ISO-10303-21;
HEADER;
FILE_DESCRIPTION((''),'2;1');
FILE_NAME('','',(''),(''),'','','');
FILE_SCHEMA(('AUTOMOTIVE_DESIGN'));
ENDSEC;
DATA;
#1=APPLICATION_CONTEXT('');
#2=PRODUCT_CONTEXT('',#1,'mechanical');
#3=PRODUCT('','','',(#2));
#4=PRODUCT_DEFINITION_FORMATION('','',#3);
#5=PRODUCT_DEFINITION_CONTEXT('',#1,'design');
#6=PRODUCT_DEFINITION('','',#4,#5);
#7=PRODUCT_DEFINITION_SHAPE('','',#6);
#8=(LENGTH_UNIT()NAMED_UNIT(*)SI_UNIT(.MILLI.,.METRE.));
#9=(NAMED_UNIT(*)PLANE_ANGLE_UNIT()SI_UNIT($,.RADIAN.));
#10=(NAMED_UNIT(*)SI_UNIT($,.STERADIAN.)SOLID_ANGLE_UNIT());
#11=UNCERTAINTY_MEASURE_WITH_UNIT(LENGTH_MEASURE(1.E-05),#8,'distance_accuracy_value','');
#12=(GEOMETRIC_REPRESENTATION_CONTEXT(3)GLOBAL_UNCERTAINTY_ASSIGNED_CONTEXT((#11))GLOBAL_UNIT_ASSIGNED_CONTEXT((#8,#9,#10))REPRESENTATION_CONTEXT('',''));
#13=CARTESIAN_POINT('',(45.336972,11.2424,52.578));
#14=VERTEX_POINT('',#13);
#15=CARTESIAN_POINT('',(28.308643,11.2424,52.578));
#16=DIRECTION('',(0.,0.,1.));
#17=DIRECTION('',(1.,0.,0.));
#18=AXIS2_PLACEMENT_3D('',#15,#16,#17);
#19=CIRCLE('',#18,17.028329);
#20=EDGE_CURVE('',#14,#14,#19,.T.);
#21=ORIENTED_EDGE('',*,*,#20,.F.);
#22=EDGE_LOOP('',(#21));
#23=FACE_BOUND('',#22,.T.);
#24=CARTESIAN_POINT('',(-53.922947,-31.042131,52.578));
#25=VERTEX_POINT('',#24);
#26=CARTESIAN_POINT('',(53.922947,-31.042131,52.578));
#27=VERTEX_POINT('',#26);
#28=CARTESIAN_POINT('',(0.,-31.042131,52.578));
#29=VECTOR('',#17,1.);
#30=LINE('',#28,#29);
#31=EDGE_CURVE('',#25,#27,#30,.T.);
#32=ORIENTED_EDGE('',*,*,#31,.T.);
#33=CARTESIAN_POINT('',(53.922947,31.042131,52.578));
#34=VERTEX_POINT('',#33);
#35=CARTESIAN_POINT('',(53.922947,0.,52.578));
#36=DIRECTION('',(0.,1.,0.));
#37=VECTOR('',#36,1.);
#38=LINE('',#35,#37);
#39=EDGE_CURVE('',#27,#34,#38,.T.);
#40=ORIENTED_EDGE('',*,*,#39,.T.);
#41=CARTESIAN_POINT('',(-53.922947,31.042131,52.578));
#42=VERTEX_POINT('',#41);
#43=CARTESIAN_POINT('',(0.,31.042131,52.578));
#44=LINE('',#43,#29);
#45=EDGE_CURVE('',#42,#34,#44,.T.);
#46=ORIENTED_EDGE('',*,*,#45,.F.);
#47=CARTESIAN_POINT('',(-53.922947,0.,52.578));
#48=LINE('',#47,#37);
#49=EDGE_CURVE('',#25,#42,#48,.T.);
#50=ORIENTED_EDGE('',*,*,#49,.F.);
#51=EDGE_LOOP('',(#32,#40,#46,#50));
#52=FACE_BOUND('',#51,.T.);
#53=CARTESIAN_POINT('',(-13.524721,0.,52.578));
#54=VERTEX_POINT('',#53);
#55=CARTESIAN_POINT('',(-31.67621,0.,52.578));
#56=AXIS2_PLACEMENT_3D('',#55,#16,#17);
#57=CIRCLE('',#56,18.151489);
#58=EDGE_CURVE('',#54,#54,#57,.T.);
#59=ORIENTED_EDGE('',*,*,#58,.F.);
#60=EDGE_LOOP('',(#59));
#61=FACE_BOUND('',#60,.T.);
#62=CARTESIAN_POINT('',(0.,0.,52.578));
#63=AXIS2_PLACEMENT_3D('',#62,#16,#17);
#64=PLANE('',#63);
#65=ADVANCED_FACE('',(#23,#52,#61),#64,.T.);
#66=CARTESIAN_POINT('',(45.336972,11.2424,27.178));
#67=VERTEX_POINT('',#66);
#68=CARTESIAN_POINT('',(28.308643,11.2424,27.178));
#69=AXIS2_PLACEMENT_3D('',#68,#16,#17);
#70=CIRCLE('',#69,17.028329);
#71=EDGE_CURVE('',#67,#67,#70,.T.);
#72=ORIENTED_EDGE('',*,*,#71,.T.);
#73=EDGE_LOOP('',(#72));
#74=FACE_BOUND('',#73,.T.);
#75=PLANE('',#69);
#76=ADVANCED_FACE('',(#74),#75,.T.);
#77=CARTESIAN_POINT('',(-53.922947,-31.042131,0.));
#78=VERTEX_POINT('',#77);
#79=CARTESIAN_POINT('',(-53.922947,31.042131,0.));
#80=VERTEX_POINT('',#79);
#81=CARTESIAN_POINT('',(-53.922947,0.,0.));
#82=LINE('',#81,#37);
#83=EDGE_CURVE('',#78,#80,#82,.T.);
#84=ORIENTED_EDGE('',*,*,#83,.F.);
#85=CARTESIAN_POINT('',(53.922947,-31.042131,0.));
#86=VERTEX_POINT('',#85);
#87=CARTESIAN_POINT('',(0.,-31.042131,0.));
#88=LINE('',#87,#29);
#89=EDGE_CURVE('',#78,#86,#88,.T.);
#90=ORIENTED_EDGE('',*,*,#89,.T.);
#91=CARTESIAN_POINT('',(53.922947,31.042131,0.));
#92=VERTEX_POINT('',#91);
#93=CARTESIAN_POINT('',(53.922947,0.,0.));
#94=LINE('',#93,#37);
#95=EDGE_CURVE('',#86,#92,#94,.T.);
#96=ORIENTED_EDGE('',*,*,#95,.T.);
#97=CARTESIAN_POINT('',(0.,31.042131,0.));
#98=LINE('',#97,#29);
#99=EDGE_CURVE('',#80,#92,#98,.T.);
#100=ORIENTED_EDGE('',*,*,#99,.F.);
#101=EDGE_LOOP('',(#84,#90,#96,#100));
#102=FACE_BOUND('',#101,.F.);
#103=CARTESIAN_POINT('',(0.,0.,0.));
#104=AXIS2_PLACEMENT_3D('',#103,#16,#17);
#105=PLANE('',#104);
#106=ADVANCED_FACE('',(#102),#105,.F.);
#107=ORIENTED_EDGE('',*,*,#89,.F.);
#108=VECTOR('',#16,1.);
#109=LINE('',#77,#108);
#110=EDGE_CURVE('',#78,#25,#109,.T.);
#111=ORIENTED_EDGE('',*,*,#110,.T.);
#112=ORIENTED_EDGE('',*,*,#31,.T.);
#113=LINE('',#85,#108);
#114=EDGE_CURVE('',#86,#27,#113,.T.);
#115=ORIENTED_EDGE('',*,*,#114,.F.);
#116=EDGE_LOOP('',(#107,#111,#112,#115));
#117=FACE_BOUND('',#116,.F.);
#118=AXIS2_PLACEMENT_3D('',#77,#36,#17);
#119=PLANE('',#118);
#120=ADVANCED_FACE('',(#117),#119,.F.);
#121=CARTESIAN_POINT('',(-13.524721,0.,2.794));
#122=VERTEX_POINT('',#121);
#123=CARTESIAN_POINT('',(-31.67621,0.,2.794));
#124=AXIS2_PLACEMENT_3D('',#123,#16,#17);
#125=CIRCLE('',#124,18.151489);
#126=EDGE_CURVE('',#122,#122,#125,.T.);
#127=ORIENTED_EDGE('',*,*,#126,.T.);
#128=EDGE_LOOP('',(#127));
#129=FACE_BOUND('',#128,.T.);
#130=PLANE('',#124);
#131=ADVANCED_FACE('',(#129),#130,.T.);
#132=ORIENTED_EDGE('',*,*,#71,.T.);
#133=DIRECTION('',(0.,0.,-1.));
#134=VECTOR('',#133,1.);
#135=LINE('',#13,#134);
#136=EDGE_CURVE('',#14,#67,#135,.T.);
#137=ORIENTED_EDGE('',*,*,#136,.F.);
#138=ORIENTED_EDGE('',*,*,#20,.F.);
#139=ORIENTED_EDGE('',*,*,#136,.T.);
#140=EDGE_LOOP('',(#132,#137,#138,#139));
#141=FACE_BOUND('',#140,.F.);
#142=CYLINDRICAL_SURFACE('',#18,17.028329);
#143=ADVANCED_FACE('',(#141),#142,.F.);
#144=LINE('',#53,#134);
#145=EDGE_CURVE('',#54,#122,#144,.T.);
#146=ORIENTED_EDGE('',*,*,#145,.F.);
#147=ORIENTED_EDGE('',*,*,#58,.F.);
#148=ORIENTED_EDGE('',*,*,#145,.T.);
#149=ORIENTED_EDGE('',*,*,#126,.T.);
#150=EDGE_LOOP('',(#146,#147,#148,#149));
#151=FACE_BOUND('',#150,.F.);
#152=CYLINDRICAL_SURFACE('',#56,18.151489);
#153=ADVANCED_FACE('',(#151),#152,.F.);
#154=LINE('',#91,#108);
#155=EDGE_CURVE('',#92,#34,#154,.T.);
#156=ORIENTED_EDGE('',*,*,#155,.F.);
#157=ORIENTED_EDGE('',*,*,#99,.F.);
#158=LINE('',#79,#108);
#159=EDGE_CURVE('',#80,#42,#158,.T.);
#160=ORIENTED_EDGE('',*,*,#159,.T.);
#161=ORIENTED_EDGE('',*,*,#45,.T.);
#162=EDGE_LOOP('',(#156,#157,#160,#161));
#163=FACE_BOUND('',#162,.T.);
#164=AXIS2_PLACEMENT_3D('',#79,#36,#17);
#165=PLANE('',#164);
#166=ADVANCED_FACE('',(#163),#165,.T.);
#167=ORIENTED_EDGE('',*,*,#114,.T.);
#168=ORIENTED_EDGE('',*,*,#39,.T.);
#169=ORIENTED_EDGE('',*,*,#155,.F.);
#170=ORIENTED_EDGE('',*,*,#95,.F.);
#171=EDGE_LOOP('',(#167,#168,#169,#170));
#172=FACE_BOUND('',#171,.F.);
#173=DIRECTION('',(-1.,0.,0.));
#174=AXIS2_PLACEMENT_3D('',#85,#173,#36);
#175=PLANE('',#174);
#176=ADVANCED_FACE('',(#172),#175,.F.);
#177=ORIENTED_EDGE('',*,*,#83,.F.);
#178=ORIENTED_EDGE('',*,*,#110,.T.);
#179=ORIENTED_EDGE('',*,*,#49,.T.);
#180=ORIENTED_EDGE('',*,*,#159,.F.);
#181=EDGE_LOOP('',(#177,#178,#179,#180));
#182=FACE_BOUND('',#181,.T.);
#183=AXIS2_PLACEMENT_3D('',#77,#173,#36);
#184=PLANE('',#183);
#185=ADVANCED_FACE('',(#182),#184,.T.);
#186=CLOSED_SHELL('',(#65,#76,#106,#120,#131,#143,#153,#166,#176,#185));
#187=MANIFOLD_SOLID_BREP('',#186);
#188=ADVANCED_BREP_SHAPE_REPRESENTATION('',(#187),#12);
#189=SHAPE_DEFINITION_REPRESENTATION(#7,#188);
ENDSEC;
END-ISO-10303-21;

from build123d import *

# Parameters (mm, degrees)
F0_W     = 107.845894
F0_H     = 62.084262
F1_DEPTH = 52.578
F2_R     = 18.151489
F3_DEPTH = 49.784
F4_R     = 17.028329
F5_DEPTH = 25.4


with BuildPart() as f1:
    # F0 (on Top) → F1 (new body)
    with BuildSketch(Plane.XY):
        Rectangle(F0_W, F0_H)
    extrude(amount=F1_DEPTH)

    # F2 (on face) → F3 (cut)
    with BuildSketch(Plane.XY.offset(52.578)):
        with Locations((-31.67621, 0)):
            Circle(F2_R)
    extrude(amount=-F3_DEPTH, mode=Mode.SUBTRACT)

    # F4 (on face) → F5 (cut)
    with BuildSketch(Plane.XY.offset(52.578)):
        with Locations((28.308643, 11.2424)):
            Circle(F4_R)
    extrude(amount=-F5_DEPTH, mode=Mode.SUBTRACT)


solid = f1.part
